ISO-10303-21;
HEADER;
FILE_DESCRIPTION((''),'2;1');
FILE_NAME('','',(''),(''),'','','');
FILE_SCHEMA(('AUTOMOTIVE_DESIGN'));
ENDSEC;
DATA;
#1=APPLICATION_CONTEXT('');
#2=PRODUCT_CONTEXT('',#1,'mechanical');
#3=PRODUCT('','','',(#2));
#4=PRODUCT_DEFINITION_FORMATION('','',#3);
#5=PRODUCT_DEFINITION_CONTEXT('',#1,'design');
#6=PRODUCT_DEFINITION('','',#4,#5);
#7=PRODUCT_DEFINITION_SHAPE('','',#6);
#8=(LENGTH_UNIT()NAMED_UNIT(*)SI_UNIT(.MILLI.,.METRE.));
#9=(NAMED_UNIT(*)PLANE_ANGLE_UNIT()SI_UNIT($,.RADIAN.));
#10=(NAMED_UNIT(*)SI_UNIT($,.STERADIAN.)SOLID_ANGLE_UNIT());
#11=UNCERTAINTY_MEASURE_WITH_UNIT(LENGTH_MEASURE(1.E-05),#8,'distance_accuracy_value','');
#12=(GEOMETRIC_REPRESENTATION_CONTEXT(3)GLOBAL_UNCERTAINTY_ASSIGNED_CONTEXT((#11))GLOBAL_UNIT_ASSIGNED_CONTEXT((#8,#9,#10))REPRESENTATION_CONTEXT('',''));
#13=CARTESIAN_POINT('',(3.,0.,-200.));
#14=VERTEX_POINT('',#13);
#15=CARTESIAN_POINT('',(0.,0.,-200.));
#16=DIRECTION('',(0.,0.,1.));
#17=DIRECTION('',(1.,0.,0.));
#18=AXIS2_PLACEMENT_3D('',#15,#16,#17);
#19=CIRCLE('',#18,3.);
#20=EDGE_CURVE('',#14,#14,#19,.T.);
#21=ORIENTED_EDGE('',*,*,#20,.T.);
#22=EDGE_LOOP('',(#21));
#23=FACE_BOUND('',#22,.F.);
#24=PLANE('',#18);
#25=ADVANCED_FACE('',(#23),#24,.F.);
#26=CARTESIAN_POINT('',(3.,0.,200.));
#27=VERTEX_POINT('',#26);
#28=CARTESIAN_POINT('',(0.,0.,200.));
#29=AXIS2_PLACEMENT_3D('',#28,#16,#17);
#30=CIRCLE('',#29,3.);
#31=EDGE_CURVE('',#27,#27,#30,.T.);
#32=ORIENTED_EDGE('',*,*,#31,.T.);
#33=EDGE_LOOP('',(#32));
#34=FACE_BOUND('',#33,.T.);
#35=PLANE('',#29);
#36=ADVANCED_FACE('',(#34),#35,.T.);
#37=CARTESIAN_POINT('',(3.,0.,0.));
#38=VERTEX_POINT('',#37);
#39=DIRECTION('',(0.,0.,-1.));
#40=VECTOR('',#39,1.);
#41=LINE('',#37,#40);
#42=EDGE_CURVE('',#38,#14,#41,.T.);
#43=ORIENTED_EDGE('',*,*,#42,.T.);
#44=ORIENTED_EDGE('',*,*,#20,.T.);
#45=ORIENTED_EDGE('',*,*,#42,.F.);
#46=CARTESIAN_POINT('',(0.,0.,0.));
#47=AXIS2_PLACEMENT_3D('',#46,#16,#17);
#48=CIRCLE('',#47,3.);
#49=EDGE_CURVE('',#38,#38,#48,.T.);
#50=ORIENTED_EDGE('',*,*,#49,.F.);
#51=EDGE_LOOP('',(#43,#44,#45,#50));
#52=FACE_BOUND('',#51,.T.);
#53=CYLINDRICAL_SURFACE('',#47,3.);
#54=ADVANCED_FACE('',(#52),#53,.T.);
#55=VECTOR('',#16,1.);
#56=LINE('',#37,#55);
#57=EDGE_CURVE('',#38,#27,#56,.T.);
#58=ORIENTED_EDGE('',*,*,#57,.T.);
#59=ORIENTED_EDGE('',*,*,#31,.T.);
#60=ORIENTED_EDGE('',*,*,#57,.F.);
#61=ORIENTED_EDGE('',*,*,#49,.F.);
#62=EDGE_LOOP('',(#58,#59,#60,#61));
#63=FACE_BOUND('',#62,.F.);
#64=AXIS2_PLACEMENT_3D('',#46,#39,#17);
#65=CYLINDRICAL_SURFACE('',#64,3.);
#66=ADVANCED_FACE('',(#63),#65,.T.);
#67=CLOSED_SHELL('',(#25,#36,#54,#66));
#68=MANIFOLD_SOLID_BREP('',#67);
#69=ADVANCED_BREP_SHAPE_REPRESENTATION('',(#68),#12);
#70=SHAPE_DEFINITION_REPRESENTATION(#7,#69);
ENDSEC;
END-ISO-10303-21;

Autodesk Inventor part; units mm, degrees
ref_plane "YZ Plane" through (0, 0, 0) normal (1, 0, 0) x (0, 1, 0)
ref_plane "XZ Plane" through (0, 0, 0) normal (0, 1, 0) x (-1, 0, 0)
ref_plane "XY Plane" through (0, 0, 0) normal (0, 0, 1) x (1, 0, 0)
sketch "Náčrt1" plane through (0, 0, 0) normal (0, 0, 1) x (1, 0, 0)
  circle A0 centre (0, 0) radius 3
  dimension "d0" = 6
extrude "Vysunutí1" add sketch "Náčrt1" along normal mid plane 400
properties part number "Těl_tyč" material "Polyacetátová pryskyřice, černá"
